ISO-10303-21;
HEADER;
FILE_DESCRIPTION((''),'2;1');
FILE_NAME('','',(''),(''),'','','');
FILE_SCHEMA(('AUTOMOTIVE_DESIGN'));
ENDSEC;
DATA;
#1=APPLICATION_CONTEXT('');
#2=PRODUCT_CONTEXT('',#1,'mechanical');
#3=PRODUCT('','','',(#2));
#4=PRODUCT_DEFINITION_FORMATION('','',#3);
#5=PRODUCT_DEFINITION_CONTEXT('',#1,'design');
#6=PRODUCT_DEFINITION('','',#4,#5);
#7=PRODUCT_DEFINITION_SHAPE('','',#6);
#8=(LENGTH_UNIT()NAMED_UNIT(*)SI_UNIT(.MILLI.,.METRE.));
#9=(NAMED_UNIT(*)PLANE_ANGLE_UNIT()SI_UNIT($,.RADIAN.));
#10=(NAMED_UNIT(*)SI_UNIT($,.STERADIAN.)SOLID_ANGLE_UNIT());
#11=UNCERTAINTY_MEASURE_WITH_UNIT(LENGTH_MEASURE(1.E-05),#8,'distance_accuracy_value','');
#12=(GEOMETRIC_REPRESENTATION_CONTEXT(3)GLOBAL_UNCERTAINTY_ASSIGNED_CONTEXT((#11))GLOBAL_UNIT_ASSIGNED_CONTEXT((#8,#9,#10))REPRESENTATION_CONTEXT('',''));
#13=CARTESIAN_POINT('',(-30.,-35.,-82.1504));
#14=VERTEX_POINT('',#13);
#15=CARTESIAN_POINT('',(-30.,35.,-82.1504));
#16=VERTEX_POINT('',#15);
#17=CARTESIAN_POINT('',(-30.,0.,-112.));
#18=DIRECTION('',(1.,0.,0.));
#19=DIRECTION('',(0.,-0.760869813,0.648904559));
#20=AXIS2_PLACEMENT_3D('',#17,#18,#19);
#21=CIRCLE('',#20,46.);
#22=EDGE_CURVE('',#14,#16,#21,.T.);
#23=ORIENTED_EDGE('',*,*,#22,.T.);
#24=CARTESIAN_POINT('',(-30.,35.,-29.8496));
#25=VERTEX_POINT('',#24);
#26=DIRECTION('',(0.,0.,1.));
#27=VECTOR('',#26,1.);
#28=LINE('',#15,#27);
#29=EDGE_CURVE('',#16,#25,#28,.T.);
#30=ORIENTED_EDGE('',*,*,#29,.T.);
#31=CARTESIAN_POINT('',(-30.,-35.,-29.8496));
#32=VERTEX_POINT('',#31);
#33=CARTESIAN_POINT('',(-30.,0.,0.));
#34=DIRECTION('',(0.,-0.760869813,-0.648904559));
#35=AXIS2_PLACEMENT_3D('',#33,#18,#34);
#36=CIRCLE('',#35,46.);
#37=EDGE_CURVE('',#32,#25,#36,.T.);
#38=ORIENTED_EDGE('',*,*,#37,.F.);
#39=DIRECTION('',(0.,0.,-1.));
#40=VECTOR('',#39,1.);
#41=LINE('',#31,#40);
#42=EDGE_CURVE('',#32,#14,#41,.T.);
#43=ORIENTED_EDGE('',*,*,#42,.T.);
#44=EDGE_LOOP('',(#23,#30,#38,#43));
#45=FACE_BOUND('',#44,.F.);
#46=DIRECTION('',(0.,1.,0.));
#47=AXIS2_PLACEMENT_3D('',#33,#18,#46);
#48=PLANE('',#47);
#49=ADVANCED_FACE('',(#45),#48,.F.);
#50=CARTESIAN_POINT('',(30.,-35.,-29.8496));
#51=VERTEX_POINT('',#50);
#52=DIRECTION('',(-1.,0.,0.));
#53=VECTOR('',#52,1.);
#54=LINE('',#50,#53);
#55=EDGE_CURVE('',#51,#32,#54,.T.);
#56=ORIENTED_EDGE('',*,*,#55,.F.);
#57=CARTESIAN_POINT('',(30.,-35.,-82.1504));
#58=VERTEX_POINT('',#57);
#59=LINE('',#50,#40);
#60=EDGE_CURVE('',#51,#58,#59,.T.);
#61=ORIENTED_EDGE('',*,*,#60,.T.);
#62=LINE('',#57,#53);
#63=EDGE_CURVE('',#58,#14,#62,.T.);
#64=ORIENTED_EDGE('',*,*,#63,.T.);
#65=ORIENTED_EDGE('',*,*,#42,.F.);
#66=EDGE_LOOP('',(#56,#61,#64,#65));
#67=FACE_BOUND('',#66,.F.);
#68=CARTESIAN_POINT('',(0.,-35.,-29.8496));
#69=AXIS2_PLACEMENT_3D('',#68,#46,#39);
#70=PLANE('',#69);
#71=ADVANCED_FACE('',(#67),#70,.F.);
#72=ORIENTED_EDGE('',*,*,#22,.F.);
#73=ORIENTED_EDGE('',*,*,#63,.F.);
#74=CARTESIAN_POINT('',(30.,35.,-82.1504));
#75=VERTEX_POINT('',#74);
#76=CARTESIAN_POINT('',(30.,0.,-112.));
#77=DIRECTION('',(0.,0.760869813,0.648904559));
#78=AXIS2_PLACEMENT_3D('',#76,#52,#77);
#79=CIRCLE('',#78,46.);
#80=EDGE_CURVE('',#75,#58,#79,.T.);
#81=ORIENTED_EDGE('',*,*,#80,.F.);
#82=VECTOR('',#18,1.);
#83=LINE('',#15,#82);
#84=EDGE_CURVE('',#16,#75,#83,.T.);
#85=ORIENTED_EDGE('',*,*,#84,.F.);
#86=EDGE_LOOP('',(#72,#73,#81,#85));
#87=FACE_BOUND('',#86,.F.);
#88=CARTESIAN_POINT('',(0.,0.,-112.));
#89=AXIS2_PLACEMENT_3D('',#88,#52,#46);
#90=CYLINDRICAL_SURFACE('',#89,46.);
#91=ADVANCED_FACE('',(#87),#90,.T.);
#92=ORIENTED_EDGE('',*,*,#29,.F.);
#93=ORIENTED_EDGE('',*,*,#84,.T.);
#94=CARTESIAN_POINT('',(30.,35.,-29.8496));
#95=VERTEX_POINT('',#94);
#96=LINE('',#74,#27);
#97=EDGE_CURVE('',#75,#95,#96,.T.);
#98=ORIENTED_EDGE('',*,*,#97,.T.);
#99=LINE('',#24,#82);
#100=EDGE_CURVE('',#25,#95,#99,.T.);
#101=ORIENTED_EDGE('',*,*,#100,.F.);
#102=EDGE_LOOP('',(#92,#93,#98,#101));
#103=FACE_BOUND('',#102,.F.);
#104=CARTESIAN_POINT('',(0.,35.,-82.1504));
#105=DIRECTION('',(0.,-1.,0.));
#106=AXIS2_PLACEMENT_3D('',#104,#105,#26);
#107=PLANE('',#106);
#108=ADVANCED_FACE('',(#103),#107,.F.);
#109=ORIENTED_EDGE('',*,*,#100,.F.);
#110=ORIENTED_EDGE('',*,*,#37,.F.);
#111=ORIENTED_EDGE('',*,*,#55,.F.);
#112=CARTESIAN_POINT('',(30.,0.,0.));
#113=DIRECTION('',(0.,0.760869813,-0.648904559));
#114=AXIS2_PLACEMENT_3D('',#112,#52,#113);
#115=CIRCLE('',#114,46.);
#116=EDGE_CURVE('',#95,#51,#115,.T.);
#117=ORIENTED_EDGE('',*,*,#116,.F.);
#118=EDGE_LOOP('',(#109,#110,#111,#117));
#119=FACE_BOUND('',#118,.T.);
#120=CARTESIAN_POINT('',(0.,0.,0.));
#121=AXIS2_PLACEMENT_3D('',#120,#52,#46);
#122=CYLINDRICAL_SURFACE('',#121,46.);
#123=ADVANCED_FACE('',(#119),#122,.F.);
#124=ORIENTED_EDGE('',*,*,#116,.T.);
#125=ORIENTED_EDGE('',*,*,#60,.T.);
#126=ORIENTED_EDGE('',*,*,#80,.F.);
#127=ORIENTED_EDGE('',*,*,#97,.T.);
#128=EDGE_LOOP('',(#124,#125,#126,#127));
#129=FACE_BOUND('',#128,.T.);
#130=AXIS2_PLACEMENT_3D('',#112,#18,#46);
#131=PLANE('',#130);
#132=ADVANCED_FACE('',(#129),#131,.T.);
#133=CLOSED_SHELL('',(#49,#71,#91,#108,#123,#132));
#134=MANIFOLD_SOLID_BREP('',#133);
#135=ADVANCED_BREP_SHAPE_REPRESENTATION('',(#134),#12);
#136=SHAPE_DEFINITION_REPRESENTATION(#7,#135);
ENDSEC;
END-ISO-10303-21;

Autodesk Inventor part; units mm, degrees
ref_plane "YZ Plane" through (0, 0, 0) normal (1, 0, 0) x (0, 1, 0)
ref_plane "XZ Plane" through (0, 0, 0) normal (0, 1, 0) x (-1, 0, 0)
ref_plane "XY Plane" through (0, 0, 0) normal (0, 0, 1) x (1, 0, 0)
sketch "Sketch17" plane through (0, 0, 0) normal (1, 0, 0) x (0, 1, 0)
  line L0 (-64.4, 0) -> (64.4, 0) construction
  line L1 (0, -198.8) -> (0, 86.8) projected
  circle A0 centre (0, 0) radius 40
  circle A1 centre (0, 0) radius 46
  line L2 (-35, -29.8496) -> (-35, -82.1504)
  line L3 (35, -82.1504) -> (35, -29.8496)
  circle A2 centre (0, -112) radius 46
  circle A3 centre (0, -112) radius 40
  point P0 (0, -46)
  point P1 (0, 46)
  dimension "d173" = 92
  dimension "d174" = 80
  dimension "d246" = 70
  dimension "d247" = 80
  dimension "d248" = 92
  dimension "d249" = 112
  dimension "d253" = 52.3008
extrude "Extrusion18" add sketch "Sketch17" along normal mid plane 60 contours A2 L1 A3 | L1 A3 A2 | A3 L1 | L1 A3 | L2 A1 L1 A2 | L1 A1 L3 A2
fillet "Fillet17" [suppressed]
properties part number "knee"
